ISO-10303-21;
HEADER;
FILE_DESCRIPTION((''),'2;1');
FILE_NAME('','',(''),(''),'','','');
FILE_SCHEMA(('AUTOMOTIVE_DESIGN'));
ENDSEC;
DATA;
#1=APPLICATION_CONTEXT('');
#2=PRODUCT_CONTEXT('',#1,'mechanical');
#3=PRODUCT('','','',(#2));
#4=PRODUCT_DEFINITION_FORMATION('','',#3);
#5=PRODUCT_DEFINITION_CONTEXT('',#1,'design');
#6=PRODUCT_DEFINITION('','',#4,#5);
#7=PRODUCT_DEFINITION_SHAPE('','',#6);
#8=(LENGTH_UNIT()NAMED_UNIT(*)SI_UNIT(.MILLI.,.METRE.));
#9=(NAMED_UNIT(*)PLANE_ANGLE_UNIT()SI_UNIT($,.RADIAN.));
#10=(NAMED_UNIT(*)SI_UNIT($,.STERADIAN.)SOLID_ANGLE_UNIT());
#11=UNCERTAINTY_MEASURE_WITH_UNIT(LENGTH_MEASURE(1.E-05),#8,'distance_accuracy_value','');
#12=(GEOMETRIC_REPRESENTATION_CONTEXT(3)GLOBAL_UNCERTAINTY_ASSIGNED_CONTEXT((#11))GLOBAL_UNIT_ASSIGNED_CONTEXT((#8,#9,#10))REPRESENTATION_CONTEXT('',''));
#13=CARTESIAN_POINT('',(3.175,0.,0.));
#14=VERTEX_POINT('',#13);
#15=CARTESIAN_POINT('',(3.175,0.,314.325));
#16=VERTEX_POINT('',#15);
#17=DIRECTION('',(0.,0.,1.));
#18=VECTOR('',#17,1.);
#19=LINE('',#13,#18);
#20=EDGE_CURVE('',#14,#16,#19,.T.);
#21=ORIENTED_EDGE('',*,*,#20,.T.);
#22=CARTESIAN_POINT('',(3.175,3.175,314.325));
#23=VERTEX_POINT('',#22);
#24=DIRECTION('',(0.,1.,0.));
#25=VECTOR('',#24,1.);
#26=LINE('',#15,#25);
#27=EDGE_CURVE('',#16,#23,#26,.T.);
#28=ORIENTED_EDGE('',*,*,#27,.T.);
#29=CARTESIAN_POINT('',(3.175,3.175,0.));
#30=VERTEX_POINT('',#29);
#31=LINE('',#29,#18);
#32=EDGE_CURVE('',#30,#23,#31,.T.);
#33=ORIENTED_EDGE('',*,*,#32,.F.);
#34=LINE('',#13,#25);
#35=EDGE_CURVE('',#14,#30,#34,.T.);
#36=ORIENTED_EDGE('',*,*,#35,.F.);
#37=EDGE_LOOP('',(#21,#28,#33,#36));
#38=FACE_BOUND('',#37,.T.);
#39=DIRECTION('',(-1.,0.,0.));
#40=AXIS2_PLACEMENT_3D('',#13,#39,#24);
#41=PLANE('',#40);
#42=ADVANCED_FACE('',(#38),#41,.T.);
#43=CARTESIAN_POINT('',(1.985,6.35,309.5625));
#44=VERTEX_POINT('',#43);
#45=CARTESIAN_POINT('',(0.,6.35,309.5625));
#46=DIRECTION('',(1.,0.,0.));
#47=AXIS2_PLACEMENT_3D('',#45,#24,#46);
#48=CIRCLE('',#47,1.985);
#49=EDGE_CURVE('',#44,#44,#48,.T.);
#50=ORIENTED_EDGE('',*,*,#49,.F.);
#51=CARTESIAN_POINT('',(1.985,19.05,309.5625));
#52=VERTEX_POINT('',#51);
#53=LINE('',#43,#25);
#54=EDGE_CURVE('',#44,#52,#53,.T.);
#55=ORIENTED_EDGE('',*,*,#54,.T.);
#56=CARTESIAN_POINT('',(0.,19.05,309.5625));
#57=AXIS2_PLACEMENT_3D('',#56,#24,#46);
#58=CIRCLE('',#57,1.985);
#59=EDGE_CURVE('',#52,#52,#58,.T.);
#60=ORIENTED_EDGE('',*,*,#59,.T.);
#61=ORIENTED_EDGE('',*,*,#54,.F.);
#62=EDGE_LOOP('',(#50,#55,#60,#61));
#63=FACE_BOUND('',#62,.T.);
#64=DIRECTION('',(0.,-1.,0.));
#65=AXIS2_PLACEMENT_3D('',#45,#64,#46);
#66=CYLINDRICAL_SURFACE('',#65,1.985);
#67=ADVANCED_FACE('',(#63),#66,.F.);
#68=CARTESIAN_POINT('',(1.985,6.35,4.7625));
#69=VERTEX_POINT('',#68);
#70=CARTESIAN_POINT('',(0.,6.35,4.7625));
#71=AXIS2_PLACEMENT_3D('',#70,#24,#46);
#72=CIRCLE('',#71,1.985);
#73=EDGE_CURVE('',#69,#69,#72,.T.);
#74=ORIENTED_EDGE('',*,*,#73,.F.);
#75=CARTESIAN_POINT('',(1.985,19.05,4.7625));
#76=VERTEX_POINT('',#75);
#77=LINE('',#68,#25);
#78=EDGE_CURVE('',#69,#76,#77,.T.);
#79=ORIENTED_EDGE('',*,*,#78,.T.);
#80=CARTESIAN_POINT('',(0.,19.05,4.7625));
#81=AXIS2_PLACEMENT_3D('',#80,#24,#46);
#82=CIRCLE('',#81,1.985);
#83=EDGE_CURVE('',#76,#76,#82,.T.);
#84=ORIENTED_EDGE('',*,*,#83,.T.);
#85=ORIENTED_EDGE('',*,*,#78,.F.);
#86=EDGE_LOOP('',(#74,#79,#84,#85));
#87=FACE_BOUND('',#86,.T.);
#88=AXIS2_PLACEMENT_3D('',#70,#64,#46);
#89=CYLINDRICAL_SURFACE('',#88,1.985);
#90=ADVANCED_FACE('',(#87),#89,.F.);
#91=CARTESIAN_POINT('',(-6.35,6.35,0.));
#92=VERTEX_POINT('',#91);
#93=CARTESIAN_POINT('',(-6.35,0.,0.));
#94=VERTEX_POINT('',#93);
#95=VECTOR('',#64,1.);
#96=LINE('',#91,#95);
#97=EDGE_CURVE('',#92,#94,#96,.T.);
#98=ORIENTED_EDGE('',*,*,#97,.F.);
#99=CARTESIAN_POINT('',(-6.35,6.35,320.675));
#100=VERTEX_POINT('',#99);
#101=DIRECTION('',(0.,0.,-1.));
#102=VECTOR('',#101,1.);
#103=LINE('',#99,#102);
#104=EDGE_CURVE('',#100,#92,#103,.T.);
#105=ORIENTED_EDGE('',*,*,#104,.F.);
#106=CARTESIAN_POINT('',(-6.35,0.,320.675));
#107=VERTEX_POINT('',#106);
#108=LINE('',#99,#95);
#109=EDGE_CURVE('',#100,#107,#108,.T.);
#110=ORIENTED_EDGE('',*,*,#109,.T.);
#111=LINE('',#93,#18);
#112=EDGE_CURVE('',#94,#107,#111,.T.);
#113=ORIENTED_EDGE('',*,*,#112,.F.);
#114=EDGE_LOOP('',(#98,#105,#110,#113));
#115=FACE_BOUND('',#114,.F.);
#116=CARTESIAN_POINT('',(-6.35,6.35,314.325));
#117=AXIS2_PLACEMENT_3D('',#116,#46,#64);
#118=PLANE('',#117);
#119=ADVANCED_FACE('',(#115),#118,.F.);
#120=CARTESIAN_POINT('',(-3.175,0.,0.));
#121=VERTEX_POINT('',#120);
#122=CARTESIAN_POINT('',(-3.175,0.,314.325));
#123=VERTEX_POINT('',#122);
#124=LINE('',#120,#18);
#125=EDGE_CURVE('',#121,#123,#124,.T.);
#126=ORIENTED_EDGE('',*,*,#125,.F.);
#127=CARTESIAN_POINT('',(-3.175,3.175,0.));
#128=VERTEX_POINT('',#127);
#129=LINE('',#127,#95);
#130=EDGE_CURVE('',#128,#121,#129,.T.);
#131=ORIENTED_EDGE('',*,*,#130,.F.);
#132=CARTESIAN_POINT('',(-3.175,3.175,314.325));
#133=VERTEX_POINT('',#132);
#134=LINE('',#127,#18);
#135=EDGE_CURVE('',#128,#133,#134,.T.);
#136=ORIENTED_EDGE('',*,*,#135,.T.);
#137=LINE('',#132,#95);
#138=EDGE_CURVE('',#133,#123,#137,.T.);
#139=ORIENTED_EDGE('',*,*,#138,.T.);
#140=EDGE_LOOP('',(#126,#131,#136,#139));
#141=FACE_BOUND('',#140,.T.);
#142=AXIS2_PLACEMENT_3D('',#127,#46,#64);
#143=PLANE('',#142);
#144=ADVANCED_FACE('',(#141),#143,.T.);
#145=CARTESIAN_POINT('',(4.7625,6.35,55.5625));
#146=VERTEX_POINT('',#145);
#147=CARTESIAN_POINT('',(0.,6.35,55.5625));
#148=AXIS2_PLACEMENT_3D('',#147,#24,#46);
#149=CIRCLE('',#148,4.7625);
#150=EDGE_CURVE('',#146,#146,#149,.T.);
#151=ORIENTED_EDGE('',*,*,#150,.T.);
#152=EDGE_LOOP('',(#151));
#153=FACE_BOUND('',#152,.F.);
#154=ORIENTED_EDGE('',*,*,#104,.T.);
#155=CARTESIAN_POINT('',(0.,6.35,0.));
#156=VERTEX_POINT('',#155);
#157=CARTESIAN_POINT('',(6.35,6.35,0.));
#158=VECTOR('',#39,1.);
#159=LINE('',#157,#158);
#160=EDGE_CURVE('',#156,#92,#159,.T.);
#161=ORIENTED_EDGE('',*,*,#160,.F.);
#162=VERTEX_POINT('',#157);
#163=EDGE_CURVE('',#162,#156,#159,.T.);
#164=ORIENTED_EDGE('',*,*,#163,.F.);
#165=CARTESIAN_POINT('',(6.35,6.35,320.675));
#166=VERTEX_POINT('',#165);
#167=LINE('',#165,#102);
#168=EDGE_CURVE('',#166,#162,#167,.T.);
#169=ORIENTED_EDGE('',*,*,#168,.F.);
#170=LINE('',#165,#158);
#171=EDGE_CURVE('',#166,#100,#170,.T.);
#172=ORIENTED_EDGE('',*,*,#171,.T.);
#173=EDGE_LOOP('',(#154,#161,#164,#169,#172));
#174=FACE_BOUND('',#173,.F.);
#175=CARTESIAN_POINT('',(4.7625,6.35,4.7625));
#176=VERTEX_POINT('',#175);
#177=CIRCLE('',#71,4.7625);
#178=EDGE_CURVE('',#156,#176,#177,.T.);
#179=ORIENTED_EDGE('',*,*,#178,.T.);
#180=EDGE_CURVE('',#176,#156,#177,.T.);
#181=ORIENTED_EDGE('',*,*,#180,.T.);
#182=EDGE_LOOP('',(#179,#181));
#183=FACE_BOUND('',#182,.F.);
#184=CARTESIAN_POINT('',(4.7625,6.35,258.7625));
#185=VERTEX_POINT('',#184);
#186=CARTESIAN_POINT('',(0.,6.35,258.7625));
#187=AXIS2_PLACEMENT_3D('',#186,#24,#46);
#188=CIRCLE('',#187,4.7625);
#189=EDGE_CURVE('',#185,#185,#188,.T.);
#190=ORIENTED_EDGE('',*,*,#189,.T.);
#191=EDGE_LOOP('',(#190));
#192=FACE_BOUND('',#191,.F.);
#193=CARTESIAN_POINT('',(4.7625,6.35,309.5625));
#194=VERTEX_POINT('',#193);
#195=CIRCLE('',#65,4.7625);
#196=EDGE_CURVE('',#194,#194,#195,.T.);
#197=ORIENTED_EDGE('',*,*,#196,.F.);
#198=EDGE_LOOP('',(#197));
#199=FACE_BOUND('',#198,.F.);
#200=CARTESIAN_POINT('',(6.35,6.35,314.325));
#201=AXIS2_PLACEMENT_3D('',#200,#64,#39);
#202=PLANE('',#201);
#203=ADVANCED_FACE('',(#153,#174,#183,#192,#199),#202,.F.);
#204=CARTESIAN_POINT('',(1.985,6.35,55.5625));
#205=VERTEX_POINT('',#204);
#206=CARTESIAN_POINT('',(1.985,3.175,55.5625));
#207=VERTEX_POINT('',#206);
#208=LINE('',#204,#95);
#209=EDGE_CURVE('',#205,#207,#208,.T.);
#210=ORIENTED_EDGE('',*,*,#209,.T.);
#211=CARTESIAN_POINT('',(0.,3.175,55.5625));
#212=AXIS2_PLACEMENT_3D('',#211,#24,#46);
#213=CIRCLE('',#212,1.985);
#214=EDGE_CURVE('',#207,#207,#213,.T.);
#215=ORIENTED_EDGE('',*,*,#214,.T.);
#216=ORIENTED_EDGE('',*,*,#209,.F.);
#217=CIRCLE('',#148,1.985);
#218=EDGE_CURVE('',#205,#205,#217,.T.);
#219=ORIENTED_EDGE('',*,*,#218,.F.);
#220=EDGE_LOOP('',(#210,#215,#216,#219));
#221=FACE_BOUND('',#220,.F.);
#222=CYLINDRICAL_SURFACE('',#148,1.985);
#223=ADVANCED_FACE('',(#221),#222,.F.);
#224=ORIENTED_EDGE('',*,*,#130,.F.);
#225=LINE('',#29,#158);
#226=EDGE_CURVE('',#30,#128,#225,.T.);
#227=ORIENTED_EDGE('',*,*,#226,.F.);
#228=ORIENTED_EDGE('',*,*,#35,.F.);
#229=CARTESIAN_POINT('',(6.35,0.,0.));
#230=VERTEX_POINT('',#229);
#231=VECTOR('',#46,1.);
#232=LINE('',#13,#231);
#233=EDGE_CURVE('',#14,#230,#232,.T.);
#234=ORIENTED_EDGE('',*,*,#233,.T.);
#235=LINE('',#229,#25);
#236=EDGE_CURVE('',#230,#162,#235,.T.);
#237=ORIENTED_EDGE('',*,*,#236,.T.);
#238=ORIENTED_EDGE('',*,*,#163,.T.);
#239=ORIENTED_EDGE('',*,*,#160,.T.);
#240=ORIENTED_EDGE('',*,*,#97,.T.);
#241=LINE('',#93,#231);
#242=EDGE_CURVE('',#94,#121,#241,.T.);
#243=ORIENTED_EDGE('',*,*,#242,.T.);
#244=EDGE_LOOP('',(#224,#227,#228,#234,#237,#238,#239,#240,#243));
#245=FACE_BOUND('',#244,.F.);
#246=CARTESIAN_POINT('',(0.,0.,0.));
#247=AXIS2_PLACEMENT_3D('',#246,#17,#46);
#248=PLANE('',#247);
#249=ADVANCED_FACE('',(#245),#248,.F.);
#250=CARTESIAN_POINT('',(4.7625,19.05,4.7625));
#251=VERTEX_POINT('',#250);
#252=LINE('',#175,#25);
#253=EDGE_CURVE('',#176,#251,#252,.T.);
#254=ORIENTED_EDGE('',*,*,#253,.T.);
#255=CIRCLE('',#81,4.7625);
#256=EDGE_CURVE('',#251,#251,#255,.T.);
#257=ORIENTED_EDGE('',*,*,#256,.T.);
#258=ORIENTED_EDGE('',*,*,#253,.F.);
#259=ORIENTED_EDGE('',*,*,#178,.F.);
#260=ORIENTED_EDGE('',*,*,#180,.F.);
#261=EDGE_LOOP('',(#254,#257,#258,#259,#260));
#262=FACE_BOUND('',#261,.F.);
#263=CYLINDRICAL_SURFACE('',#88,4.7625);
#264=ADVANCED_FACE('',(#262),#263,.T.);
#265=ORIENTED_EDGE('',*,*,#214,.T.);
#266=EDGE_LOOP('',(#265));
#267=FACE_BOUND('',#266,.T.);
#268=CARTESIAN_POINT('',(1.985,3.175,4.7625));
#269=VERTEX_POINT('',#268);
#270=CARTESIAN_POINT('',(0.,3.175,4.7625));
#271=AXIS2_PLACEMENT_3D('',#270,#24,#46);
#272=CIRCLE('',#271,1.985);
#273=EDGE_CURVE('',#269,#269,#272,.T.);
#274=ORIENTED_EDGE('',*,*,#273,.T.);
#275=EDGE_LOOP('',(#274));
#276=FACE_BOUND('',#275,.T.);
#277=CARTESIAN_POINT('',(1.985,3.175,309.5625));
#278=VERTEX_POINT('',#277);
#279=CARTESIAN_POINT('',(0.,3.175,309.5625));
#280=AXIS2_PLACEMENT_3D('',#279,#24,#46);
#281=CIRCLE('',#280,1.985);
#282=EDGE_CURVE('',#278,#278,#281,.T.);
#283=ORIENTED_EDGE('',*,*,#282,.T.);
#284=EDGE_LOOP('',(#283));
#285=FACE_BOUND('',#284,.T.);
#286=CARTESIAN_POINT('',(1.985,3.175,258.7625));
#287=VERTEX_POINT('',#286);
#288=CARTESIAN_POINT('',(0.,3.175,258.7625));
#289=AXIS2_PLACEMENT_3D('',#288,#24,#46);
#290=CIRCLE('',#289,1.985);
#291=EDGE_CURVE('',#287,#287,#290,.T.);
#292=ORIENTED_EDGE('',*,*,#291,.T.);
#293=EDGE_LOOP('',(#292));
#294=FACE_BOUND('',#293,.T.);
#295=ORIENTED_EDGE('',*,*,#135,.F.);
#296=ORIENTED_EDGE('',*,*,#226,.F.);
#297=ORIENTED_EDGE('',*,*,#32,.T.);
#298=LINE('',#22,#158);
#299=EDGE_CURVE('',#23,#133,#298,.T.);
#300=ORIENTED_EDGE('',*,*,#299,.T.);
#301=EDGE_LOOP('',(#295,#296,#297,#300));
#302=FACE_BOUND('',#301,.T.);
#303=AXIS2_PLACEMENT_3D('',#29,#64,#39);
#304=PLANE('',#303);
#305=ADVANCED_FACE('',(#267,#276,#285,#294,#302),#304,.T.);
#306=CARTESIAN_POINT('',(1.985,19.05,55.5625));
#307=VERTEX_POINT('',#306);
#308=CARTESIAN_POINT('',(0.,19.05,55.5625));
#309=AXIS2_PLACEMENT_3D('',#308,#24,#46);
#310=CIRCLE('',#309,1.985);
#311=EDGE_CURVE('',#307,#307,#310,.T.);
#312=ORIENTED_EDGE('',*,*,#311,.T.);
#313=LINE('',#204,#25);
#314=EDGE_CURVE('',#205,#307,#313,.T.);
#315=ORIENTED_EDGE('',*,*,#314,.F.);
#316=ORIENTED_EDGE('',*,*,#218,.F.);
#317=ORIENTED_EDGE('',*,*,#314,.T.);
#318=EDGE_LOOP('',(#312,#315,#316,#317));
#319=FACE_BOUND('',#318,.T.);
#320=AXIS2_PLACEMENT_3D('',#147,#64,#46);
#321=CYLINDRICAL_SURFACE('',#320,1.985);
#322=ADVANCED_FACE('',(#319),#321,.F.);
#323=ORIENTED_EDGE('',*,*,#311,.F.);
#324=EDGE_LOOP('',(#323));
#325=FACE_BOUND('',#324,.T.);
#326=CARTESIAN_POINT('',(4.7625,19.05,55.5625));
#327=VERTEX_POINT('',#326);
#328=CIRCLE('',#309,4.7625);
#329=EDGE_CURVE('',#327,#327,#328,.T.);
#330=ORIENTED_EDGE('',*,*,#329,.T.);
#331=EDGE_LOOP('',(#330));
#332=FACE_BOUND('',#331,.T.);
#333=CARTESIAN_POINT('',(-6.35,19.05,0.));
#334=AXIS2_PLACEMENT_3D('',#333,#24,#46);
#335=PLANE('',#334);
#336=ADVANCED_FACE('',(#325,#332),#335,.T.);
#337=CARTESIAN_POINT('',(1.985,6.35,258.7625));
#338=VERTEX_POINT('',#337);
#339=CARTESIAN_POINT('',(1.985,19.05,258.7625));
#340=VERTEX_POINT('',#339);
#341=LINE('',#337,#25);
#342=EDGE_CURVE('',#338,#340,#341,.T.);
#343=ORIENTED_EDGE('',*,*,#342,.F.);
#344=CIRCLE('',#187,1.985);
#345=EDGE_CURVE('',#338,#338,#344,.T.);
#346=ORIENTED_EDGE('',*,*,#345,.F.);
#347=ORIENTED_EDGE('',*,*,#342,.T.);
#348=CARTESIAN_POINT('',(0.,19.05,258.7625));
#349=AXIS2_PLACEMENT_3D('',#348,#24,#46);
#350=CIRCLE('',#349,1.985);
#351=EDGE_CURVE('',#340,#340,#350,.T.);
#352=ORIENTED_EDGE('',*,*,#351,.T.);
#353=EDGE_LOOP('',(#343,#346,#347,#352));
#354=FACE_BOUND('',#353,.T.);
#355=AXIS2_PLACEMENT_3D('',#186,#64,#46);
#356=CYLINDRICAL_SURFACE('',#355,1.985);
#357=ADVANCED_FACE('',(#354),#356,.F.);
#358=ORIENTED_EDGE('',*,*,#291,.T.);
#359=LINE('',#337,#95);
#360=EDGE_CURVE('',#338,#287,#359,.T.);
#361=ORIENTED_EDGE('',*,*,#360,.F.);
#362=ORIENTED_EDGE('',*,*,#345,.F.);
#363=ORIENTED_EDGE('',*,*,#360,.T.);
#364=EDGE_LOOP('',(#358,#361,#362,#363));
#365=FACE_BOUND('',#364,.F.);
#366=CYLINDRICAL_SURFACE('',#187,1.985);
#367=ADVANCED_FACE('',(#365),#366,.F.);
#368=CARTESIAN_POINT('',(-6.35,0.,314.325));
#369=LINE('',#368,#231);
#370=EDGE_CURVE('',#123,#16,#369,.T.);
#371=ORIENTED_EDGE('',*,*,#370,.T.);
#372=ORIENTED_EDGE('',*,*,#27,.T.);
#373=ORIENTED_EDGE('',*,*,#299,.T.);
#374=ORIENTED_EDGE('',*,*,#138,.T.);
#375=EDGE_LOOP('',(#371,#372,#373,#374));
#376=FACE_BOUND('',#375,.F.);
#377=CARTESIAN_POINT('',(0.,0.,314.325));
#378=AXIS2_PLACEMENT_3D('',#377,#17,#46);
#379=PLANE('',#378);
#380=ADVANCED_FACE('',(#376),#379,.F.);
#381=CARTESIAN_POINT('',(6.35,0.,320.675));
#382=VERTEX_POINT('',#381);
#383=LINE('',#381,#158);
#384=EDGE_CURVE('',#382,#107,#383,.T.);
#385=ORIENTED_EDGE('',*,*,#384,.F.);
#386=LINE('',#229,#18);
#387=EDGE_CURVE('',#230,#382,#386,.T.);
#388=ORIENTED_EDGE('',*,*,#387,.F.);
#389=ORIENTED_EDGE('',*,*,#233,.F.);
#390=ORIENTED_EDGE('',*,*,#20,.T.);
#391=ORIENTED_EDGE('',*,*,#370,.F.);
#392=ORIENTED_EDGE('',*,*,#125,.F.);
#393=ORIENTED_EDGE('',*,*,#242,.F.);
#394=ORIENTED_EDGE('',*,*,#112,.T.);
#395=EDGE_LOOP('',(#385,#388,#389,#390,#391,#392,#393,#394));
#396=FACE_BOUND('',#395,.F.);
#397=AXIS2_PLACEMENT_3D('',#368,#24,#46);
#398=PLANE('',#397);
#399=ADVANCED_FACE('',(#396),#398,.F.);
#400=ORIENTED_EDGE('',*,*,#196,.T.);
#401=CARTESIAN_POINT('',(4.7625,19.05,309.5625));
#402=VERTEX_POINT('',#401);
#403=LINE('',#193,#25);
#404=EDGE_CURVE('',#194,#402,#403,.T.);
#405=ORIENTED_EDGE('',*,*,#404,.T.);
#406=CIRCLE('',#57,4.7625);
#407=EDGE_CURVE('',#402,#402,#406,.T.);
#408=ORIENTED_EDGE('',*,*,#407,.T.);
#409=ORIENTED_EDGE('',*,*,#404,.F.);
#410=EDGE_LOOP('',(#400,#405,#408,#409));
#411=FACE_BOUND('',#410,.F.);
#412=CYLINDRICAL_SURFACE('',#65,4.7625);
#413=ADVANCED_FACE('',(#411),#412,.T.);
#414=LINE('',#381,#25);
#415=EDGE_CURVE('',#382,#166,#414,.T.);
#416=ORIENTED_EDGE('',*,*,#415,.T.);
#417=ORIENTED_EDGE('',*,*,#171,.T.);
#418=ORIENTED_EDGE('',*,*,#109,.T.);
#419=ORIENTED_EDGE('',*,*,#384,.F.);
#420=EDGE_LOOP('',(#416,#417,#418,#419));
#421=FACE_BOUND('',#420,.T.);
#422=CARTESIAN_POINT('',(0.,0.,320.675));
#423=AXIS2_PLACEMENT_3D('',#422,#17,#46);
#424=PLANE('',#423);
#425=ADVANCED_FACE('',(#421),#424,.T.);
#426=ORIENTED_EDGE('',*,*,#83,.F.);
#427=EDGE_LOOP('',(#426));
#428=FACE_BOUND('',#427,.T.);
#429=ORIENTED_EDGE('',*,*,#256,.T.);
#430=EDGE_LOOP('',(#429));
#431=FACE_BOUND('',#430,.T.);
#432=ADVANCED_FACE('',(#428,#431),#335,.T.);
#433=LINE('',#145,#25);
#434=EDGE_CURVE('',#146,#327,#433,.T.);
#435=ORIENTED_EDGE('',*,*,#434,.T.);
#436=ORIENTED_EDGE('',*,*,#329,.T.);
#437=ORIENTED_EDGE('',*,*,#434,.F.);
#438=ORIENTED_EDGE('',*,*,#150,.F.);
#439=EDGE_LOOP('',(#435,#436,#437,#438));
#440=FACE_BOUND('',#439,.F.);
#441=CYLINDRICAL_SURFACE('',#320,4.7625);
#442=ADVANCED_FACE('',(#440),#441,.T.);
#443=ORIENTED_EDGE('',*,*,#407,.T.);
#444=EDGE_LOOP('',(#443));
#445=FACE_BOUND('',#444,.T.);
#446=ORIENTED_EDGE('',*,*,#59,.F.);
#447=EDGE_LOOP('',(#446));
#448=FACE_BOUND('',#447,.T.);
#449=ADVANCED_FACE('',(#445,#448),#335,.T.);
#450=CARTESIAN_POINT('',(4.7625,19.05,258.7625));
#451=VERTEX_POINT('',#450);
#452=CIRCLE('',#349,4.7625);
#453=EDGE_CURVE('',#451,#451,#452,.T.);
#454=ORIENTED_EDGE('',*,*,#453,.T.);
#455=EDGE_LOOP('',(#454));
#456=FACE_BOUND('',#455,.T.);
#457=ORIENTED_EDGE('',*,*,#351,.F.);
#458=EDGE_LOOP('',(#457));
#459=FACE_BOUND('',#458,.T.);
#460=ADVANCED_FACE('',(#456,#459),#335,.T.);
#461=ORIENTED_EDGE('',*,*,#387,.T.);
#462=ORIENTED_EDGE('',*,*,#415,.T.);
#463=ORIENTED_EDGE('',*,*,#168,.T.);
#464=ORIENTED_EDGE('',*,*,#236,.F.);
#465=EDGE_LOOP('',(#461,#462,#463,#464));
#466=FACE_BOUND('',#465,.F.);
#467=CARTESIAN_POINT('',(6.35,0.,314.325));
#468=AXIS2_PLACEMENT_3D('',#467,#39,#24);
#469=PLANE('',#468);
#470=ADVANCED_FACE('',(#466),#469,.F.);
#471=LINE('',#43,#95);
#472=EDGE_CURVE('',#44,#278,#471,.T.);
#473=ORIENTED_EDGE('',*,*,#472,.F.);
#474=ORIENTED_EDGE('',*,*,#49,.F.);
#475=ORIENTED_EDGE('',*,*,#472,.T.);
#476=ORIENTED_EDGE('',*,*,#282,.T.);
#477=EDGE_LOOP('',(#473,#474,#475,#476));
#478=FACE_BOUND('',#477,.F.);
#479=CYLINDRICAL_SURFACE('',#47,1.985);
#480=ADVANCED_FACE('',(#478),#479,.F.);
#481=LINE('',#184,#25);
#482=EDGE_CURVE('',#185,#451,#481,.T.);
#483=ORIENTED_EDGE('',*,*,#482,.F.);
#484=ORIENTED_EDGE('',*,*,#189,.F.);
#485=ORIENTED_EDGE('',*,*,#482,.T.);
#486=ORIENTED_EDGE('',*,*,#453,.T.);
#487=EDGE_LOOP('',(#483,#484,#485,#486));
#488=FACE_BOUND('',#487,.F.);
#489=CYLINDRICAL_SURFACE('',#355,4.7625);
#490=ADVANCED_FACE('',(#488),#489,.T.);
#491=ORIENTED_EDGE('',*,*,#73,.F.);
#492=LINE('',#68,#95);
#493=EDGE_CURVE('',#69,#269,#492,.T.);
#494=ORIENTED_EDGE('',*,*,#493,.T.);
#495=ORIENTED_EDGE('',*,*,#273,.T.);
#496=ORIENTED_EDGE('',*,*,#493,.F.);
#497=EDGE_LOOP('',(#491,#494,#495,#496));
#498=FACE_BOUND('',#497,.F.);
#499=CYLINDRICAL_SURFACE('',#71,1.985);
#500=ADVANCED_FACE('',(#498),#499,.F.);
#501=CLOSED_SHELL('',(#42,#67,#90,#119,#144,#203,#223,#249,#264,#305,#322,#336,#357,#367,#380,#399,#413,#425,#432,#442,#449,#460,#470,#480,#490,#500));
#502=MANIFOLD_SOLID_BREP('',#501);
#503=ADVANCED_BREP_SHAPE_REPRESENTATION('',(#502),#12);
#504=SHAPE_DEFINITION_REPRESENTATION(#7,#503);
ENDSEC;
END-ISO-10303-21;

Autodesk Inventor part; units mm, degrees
ref_plane "YZ Plane" through (0, 0, 0) normal (1, 0, 0) x (0, 1, 0)
ref_plane "XZ Plane" through (0, 0, 0) normal (0, 1, 0) x (-1, 0, 0)
ref_plane "XY Plane" through (0, 0, 0) normal (0, 0, 1) x (1, 0, 0)
sketch "Sketch1" plane through (0, 0, 0) normal (0, 0, 1) x (1, 0, 0)
  line L0 (3.175, 0) -> (3.175, 3.175)
  line L1 (3.175, 3.175) -> (-3.175, 3.175)
  line L2 (-3.175, 3.175) -> (-3.175, 0)
  line L3 (6.35, 0) -> (6.35, 6.35)
  line L4 (6.35, 6.35) -> (-6.35, 6.35)
  line L5 (-6.35, 6.35) -> (-6.35, 0)
  line L6 (-6.35, 0) -> (-3.175, 0)
  line L7 (3.175, 0) -> (6.35, 0)
  point P0 (0, 0)
extrude "Extrusion1" add sketch "Sketch1" along normal blind 314.325
sketch "Sketch2" plane through (-6.35, 6.35, 0) normal (0, 1, 0) x (1, 0, 0)
  circle A0 centre (6.35, -4.7625) radius 1.985
  circle A1 centre (6.35, -55.5625) radius 1.985
  circle A2 centre (6.35, -309.5625) radius 1.985
  circle A3 centre (6.35, -258.7625) radius 1.985
  point P0 (6.35, 0)
  dimension "d2" = 3.97
  dimension "d3" = 3.97
  dimension "d4" = 3.97
  dimension "d5" = 3.97
extrude "Extrusion2" cut sketch "Sketch2" against normal blind 314.325
sketch "Sketch3" plane through (-6.35, 6.35, 0) normal (0, 1, 0) x (1, 0, 0)
  circle A0 centre (6.35, -4.7625) radius 1.985 projected
  circle A1 centre (6.35, -55.5625) radius 1.985 projected
  circle A2 centre (6.35, -258.7625) radius 1.985 projected
  circle A3 centre (6.35, -309.5625) radius 1.985 projected
  circle A4 centre (6.35, -4.7625) radius 4.7625
  circle A5 centre (6.35, -55.5625) radius 4.7625
  circle A6 centre (6.35, -258.7625) radius 4.7625
  circle A7 centre (6.35, -309.5625) radius 4.7625
  point P0 (6.35, 0)
extrude "Extrusion3" add sketch "Sketch3" along normal blind 12.7
sketch "Sketch4" plane through (0, 0, 314.325) normal (0, 0, 1) x (1, 0, 0)
  line L0 (-6.35, 0) -> (-3.175, 0) projected
  line L1 (-6.35, 0) -> (6.35, 0)
  line L2 (6.35, 0) -> (6.35, 6.35)
  line L3 (6.35, 6.35) -> (-6.35, 6.35)
  line L4 (-6.35, 6.35) -> (-6.35, 0)
  point P0 (0, 0)
extrude "Extrusion4" add sketch "Sketch4" along normal blind 6.35
properties part number "crossbrace_jig"
